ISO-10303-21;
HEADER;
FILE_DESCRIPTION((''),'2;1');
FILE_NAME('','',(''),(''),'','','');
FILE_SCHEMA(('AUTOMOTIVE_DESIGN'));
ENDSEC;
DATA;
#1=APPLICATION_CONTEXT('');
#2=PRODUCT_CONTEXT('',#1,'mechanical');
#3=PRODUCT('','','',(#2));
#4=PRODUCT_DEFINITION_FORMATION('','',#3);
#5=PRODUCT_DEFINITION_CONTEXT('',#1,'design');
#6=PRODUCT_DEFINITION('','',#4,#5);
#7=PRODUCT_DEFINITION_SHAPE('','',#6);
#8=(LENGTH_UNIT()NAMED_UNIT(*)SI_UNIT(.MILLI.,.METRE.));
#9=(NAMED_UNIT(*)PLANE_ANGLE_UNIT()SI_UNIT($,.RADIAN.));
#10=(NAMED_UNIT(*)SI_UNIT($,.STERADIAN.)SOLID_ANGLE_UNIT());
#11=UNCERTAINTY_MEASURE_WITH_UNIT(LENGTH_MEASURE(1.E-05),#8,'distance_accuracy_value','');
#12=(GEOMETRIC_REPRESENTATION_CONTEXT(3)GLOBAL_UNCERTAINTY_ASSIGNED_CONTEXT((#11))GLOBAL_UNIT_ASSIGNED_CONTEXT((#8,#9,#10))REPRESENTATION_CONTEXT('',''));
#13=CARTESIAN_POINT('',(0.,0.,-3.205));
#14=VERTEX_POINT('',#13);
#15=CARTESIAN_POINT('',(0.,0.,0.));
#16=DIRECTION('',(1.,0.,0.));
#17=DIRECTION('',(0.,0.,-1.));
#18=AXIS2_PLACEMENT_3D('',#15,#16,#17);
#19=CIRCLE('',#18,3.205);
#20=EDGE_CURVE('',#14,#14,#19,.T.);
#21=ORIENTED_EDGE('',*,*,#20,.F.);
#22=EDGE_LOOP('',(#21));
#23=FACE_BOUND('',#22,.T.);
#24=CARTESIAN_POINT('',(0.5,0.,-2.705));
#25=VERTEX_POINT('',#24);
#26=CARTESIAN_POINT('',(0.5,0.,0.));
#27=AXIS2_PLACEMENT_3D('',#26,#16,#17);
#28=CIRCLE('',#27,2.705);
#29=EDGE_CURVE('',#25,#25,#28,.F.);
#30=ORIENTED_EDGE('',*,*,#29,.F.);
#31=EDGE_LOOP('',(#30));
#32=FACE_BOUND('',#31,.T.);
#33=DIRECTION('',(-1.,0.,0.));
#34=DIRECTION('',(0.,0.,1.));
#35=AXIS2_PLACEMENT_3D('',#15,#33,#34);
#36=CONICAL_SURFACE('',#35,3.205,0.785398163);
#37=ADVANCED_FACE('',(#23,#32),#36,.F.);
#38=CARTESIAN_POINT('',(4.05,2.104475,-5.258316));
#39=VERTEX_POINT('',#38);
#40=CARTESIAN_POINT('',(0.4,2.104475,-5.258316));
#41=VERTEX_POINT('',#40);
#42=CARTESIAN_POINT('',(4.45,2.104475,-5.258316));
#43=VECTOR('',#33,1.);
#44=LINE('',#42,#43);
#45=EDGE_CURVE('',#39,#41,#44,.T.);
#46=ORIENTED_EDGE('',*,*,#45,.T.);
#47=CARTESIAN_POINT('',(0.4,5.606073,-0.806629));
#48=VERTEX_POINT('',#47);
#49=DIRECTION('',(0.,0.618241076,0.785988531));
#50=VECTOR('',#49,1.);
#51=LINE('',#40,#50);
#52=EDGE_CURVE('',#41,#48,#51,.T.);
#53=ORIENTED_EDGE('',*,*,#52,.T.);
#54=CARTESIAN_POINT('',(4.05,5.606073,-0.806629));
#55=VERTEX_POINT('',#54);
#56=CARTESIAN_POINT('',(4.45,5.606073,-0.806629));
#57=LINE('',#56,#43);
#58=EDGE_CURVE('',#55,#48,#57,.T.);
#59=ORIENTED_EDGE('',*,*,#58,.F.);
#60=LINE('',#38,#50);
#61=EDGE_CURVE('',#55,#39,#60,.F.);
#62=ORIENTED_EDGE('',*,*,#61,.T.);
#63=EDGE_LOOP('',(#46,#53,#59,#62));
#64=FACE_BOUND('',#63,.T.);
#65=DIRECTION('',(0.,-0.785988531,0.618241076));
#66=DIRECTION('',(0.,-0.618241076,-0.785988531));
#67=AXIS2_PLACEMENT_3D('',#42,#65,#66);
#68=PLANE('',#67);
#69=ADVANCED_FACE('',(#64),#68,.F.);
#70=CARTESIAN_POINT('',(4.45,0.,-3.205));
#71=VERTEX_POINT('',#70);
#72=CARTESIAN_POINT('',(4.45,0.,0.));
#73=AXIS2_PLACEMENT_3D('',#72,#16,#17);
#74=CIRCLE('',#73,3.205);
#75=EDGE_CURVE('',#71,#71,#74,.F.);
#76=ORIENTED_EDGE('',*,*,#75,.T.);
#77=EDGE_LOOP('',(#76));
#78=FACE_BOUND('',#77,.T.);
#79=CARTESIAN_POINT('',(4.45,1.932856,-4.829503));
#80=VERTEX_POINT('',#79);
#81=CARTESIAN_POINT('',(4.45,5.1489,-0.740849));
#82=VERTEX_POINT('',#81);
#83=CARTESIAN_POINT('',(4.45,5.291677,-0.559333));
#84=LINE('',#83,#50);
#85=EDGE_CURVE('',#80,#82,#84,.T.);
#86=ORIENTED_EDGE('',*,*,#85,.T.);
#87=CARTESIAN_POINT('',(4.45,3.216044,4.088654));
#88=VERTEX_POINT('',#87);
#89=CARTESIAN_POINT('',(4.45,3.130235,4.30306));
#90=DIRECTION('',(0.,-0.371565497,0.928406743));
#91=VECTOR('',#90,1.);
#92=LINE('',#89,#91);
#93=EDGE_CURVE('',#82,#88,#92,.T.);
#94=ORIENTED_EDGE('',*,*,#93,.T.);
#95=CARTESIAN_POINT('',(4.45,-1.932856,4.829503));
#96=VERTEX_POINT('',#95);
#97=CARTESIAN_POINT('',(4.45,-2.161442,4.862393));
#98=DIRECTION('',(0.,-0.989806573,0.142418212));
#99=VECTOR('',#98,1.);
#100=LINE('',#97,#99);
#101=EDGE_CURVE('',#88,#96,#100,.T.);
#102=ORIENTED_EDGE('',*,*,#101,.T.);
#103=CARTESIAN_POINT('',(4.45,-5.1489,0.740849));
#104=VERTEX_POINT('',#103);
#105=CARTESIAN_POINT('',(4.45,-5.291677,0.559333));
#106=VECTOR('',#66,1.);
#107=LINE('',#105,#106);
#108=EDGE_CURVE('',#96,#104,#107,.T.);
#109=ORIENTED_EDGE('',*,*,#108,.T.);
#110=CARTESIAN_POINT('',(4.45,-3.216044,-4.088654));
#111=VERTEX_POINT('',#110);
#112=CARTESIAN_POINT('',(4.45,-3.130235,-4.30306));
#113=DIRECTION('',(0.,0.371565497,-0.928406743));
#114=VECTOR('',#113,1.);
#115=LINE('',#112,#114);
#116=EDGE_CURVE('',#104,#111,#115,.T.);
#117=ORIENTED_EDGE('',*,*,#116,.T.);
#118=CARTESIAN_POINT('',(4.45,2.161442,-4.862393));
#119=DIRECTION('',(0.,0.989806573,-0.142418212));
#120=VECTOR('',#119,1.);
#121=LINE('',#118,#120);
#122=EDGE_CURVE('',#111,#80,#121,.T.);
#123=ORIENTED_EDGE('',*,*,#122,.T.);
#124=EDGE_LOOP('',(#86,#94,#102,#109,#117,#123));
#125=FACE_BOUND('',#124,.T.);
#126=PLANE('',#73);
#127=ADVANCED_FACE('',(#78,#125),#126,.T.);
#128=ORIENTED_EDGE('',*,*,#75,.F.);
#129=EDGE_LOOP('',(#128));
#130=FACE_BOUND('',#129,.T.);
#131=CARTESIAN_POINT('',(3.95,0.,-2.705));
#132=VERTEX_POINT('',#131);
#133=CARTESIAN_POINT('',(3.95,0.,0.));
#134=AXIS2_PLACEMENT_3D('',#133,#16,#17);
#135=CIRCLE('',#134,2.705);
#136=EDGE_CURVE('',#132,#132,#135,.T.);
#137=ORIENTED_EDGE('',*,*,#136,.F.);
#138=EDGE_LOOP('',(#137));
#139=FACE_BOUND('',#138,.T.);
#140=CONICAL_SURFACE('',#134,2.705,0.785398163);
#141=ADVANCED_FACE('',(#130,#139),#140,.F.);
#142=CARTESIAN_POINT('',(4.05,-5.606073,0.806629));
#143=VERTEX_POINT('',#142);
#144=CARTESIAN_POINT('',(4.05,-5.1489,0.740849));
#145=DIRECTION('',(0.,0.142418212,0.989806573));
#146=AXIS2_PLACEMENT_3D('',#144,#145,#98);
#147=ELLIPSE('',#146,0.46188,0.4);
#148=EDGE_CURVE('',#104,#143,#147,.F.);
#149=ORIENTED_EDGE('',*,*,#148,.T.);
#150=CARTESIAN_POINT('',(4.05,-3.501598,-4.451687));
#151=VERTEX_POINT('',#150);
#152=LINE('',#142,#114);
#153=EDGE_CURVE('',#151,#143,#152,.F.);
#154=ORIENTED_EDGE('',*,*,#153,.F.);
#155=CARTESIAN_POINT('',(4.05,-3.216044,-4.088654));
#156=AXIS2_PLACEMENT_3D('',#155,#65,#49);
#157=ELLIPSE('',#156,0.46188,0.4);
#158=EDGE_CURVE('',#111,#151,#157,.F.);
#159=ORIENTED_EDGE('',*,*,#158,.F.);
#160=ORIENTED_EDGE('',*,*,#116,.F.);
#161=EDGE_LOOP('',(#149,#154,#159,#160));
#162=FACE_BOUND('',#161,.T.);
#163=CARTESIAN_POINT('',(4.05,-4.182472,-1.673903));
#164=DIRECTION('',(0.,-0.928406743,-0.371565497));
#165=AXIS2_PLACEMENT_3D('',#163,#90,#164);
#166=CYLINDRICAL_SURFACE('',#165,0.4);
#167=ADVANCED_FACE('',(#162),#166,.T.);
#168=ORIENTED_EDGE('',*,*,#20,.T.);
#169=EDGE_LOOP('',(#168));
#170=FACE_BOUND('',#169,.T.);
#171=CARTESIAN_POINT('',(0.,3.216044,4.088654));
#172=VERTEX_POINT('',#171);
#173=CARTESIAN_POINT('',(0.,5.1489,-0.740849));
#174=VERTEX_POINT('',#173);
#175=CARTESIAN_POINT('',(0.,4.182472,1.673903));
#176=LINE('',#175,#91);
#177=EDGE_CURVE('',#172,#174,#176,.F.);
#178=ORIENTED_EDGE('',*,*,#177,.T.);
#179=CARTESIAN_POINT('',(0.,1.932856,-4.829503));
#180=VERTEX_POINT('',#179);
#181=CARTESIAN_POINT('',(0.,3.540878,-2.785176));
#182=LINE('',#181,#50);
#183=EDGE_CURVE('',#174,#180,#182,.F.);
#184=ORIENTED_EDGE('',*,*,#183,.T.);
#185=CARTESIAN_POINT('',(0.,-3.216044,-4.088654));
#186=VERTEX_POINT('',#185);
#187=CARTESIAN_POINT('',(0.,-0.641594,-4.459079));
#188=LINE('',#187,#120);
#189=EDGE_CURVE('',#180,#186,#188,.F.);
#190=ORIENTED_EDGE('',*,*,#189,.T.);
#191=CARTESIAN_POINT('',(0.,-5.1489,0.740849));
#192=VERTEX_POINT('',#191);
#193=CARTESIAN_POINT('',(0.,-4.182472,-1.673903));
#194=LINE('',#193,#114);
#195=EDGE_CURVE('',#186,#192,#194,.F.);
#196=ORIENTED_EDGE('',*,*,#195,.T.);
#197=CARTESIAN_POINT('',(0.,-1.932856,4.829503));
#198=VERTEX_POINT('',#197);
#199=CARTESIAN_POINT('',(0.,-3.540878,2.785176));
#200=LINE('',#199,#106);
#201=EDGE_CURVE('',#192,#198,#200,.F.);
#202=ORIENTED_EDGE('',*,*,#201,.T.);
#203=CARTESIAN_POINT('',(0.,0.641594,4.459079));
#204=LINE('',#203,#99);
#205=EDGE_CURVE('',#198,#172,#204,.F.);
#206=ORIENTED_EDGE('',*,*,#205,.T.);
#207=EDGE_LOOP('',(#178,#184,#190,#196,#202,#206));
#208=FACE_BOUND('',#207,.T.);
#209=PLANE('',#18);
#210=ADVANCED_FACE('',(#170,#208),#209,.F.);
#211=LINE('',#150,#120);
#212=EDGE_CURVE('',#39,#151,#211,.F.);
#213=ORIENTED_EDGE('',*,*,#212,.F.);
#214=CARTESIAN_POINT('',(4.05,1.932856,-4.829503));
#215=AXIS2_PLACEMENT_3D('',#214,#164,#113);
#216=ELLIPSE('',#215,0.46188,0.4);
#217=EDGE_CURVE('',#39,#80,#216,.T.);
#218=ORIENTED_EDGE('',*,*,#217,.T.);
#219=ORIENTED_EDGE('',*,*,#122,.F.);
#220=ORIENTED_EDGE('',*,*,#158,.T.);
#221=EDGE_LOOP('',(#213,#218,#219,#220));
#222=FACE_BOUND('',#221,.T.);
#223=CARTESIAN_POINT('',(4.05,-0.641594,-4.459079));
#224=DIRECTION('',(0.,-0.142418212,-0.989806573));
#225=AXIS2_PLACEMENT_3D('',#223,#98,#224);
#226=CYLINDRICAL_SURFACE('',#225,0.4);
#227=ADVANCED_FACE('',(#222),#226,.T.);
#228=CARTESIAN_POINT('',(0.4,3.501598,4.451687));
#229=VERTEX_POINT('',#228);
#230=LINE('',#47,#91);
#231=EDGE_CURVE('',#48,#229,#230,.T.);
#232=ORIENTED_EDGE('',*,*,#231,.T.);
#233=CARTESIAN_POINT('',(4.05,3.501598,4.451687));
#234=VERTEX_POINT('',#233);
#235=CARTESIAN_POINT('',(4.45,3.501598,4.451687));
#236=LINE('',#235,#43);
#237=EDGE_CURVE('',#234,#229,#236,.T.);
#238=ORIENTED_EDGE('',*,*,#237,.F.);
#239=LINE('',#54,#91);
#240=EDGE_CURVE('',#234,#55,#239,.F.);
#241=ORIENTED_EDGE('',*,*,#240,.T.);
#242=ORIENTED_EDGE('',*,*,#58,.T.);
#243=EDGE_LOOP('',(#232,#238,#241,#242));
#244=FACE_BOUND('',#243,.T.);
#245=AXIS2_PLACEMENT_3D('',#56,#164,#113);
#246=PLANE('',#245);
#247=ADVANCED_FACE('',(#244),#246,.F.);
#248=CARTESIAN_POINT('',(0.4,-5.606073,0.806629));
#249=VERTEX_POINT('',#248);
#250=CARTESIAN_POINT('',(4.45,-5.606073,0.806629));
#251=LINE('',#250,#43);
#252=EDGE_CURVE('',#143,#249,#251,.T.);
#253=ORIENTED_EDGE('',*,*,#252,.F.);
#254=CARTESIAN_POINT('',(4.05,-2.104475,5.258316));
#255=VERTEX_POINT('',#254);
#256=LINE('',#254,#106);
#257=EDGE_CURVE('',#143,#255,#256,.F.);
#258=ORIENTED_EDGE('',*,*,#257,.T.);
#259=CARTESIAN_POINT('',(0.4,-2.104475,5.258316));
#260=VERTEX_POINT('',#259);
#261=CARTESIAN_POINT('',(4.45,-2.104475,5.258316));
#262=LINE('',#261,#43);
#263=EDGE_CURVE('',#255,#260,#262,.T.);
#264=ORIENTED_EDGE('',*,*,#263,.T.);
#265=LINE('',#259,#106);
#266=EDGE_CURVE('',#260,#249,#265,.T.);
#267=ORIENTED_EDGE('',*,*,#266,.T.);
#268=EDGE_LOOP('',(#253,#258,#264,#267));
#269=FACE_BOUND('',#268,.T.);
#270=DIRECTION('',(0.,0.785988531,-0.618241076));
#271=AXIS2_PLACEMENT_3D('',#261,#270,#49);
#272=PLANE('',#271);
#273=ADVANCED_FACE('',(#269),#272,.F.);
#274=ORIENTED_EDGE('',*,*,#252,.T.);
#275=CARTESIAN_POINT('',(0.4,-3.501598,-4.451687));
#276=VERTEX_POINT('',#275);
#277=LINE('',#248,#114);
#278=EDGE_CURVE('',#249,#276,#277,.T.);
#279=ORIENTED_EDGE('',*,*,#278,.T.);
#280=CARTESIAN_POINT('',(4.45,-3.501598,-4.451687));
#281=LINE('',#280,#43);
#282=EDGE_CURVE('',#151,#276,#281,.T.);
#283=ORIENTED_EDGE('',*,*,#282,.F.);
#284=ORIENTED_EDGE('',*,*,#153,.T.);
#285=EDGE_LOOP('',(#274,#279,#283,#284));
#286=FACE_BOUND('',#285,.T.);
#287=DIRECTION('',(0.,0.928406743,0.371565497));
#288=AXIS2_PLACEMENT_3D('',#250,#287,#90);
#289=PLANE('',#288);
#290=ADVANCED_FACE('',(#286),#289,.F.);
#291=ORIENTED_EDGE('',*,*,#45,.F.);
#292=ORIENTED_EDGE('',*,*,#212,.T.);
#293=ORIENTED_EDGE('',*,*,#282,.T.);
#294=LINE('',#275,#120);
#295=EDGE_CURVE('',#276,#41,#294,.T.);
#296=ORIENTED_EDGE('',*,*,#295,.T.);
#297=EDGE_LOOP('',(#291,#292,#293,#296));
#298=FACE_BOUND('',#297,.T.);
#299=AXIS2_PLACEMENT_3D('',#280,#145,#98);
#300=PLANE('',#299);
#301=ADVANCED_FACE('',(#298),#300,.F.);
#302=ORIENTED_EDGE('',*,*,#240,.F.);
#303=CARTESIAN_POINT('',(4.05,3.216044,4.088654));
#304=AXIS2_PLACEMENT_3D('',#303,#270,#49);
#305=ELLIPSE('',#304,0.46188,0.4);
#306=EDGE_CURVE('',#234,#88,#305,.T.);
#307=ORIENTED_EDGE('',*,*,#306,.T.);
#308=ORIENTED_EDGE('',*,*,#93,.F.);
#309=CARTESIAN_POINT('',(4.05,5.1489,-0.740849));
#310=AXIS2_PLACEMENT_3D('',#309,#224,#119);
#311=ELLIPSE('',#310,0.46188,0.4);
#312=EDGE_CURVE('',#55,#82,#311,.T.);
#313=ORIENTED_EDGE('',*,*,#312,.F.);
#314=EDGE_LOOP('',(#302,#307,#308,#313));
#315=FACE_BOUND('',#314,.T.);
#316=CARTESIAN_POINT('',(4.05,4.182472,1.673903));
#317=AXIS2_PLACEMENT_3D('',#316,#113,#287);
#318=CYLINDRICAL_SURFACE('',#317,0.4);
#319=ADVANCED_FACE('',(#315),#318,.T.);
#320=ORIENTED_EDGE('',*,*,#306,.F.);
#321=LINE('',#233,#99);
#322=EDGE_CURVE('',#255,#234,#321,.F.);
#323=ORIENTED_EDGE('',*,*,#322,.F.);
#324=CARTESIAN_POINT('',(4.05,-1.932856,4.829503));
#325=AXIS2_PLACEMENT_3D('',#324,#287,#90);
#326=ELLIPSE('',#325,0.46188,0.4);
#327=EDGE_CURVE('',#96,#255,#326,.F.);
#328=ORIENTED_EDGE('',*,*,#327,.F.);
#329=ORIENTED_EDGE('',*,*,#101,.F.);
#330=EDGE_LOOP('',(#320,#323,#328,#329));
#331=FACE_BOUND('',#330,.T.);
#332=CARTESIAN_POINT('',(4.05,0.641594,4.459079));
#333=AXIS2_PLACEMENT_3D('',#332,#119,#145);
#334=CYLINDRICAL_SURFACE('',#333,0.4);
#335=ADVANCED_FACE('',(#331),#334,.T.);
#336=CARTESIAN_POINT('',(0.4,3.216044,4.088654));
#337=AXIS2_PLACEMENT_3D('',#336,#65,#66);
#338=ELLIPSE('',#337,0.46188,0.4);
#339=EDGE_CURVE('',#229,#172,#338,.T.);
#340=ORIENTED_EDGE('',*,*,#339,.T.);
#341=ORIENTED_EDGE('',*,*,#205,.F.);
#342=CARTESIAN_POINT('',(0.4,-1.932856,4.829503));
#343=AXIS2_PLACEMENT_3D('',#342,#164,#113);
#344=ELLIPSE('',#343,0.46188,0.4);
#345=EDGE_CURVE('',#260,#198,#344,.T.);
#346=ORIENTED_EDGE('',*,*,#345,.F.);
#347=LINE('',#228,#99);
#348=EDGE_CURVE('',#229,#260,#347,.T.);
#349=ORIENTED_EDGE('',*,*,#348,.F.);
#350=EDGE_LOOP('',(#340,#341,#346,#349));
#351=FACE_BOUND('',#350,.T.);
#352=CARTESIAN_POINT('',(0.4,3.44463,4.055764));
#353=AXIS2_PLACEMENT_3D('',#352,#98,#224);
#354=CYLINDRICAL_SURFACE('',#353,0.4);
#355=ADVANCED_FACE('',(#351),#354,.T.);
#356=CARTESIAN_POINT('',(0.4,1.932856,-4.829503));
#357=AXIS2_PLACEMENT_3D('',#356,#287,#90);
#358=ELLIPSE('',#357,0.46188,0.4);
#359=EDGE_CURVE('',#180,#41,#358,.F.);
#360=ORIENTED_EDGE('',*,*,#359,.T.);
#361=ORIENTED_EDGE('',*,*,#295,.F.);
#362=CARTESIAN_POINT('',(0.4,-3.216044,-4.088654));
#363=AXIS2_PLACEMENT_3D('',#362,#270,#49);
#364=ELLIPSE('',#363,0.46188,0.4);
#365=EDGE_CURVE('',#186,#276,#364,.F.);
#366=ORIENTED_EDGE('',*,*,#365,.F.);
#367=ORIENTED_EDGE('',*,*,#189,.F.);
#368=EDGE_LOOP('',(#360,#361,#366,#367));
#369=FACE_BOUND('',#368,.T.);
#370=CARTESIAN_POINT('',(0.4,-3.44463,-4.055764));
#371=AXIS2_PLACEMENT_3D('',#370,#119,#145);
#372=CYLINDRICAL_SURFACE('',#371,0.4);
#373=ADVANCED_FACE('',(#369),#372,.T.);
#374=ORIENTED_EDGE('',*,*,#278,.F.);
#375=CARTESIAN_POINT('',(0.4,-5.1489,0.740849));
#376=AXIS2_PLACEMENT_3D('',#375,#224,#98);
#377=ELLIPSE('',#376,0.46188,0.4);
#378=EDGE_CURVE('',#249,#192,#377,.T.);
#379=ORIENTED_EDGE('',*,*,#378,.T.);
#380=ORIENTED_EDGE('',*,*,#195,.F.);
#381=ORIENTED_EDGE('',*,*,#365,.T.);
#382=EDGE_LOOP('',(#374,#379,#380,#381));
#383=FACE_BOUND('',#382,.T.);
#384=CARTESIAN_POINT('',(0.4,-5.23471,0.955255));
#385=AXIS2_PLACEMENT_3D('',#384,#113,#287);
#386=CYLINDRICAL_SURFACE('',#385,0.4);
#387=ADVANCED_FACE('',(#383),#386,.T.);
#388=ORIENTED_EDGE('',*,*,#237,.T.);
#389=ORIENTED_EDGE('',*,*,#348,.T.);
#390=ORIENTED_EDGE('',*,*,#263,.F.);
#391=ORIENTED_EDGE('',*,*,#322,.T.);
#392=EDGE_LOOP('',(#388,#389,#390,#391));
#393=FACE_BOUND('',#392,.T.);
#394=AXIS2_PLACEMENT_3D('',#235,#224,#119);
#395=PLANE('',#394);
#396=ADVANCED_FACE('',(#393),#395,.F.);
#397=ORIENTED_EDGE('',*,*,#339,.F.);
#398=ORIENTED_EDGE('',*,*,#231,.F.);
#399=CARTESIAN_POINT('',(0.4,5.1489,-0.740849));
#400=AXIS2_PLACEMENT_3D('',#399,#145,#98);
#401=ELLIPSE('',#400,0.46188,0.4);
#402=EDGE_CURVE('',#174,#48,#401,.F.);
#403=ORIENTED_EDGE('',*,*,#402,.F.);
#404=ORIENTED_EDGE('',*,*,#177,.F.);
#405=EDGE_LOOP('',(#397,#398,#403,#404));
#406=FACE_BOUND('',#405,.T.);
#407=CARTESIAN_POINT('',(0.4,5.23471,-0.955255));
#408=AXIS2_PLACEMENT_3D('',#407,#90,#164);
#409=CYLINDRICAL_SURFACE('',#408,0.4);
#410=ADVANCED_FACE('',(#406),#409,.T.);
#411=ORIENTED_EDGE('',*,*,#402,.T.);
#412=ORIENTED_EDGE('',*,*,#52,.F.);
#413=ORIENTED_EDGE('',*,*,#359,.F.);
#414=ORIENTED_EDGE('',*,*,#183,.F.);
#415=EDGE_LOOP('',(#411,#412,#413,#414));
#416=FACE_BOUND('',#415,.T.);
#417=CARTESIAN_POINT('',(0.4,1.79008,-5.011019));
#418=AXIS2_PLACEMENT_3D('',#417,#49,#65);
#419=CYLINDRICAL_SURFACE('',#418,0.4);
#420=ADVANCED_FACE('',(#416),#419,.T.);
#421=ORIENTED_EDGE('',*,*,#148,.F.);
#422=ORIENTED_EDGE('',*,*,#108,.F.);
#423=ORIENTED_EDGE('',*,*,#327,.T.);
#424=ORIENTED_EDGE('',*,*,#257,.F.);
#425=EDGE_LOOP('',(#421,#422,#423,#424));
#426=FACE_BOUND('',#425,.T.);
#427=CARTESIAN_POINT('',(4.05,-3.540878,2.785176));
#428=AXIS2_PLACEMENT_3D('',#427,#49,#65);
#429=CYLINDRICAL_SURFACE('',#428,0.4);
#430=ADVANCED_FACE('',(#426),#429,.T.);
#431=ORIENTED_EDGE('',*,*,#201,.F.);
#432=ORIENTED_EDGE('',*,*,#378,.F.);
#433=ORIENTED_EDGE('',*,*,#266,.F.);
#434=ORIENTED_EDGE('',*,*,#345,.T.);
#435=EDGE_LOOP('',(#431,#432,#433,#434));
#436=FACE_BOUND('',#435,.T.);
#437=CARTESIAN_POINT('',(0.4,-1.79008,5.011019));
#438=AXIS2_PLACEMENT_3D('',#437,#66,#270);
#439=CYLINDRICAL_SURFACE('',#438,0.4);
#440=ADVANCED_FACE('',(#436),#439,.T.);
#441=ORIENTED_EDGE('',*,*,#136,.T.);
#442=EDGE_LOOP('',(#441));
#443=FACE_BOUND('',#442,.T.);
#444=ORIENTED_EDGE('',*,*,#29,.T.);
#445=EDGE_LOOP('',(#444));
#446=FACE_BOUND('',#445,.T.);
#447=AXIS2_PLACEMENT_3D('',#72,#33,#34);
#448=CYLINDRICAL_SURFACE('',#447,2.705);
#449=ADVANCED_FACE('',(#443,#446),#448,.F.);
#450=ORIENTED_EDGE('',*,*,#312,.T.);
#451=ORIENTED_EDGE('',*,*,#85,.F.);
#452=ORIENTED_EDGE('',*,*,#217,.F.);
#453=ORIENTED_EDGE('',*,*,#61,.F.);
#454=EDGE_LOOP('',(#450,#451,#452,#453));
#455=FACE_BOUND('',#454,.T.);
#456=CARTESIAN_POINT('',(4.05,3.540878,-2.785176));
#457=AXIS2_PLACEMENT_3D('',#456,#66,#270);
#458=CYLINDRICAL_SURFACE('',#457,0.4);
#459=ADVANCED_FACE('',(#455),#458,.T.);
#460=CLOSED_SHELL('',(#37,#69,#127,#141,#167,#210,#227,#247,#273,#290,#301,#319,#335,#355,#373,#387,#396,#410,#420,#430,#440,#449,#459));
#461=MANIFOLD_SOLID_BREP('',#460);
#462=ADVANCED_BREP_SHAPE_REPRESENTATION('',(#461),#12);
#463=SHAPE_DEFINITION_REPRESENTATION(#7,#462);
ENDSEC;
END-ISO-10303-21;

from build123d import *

# Parameters (mm, degrees)
SKETCH1_R           = 2.705
BOSS_EXTRUDE1_DEPTH = 4.45
CHAMFER1_SIZE       = 0.5
FILLET1_R           = 0.4


with BuildPart() as part:
    # Sketch1 → Boss-Extrude1 (new body)
    with BuildSketch(Plane(origin=(0, 0, 0), x_dir=(0, 0, -1), z_dir=(1, 0, 0))):
        Polygon((0.806629144, 5.606072549), (-4.451686671, 3.501597604), (-5.258315815, -2.104474945), (-0.806629144, -5.606072549), (4.451686671, -3.501597604), (5.258315815, 2.104474945), align=None)
        Circle(SKETCH1_R, mode=Mode.SUBTRACT)
    extrude(amount=BOSS_EXTRUDE1_DEPTH)

    # Chamfer1
    chamfer1_edges = [part.edges().sort_by_distance(p)[0] for p in [
        (0, 0, 2.705),
        (4.45, 0, 2.705),
    ]]
    chamfer(chamfer1_edges, length=CHAMFER1_SIZE)

    # Fillet1
    fillet1_edges = [part.edges().sort_by_distance(p)[0] for p in [
        (4.45, 0.69856133, 4.855001243),
        (4.45, -3.855273747, 3.032472479),
        (4.45, -4.553835077, -1.822528764),
        (4.45, -0.69856133, -4.855001243),
        (4.45, 3.855273747, -3.032472479),
        (0, -0.69856133, -4.855001243),
        (0, -4.553835077, -1.822528764),
        (0, -3.855273747, 3.032472479),
        (0, 0.69856133, 4.855001243),
        (0, 4.553835077, 1.822528764),
        (0, 3.855273747, -3.032472479),
        (4.45, 4.553835077, 1.822528764),
    ]]
    fillet(fillet1_edges, radius=FILLET1_R)


solid = part.part
